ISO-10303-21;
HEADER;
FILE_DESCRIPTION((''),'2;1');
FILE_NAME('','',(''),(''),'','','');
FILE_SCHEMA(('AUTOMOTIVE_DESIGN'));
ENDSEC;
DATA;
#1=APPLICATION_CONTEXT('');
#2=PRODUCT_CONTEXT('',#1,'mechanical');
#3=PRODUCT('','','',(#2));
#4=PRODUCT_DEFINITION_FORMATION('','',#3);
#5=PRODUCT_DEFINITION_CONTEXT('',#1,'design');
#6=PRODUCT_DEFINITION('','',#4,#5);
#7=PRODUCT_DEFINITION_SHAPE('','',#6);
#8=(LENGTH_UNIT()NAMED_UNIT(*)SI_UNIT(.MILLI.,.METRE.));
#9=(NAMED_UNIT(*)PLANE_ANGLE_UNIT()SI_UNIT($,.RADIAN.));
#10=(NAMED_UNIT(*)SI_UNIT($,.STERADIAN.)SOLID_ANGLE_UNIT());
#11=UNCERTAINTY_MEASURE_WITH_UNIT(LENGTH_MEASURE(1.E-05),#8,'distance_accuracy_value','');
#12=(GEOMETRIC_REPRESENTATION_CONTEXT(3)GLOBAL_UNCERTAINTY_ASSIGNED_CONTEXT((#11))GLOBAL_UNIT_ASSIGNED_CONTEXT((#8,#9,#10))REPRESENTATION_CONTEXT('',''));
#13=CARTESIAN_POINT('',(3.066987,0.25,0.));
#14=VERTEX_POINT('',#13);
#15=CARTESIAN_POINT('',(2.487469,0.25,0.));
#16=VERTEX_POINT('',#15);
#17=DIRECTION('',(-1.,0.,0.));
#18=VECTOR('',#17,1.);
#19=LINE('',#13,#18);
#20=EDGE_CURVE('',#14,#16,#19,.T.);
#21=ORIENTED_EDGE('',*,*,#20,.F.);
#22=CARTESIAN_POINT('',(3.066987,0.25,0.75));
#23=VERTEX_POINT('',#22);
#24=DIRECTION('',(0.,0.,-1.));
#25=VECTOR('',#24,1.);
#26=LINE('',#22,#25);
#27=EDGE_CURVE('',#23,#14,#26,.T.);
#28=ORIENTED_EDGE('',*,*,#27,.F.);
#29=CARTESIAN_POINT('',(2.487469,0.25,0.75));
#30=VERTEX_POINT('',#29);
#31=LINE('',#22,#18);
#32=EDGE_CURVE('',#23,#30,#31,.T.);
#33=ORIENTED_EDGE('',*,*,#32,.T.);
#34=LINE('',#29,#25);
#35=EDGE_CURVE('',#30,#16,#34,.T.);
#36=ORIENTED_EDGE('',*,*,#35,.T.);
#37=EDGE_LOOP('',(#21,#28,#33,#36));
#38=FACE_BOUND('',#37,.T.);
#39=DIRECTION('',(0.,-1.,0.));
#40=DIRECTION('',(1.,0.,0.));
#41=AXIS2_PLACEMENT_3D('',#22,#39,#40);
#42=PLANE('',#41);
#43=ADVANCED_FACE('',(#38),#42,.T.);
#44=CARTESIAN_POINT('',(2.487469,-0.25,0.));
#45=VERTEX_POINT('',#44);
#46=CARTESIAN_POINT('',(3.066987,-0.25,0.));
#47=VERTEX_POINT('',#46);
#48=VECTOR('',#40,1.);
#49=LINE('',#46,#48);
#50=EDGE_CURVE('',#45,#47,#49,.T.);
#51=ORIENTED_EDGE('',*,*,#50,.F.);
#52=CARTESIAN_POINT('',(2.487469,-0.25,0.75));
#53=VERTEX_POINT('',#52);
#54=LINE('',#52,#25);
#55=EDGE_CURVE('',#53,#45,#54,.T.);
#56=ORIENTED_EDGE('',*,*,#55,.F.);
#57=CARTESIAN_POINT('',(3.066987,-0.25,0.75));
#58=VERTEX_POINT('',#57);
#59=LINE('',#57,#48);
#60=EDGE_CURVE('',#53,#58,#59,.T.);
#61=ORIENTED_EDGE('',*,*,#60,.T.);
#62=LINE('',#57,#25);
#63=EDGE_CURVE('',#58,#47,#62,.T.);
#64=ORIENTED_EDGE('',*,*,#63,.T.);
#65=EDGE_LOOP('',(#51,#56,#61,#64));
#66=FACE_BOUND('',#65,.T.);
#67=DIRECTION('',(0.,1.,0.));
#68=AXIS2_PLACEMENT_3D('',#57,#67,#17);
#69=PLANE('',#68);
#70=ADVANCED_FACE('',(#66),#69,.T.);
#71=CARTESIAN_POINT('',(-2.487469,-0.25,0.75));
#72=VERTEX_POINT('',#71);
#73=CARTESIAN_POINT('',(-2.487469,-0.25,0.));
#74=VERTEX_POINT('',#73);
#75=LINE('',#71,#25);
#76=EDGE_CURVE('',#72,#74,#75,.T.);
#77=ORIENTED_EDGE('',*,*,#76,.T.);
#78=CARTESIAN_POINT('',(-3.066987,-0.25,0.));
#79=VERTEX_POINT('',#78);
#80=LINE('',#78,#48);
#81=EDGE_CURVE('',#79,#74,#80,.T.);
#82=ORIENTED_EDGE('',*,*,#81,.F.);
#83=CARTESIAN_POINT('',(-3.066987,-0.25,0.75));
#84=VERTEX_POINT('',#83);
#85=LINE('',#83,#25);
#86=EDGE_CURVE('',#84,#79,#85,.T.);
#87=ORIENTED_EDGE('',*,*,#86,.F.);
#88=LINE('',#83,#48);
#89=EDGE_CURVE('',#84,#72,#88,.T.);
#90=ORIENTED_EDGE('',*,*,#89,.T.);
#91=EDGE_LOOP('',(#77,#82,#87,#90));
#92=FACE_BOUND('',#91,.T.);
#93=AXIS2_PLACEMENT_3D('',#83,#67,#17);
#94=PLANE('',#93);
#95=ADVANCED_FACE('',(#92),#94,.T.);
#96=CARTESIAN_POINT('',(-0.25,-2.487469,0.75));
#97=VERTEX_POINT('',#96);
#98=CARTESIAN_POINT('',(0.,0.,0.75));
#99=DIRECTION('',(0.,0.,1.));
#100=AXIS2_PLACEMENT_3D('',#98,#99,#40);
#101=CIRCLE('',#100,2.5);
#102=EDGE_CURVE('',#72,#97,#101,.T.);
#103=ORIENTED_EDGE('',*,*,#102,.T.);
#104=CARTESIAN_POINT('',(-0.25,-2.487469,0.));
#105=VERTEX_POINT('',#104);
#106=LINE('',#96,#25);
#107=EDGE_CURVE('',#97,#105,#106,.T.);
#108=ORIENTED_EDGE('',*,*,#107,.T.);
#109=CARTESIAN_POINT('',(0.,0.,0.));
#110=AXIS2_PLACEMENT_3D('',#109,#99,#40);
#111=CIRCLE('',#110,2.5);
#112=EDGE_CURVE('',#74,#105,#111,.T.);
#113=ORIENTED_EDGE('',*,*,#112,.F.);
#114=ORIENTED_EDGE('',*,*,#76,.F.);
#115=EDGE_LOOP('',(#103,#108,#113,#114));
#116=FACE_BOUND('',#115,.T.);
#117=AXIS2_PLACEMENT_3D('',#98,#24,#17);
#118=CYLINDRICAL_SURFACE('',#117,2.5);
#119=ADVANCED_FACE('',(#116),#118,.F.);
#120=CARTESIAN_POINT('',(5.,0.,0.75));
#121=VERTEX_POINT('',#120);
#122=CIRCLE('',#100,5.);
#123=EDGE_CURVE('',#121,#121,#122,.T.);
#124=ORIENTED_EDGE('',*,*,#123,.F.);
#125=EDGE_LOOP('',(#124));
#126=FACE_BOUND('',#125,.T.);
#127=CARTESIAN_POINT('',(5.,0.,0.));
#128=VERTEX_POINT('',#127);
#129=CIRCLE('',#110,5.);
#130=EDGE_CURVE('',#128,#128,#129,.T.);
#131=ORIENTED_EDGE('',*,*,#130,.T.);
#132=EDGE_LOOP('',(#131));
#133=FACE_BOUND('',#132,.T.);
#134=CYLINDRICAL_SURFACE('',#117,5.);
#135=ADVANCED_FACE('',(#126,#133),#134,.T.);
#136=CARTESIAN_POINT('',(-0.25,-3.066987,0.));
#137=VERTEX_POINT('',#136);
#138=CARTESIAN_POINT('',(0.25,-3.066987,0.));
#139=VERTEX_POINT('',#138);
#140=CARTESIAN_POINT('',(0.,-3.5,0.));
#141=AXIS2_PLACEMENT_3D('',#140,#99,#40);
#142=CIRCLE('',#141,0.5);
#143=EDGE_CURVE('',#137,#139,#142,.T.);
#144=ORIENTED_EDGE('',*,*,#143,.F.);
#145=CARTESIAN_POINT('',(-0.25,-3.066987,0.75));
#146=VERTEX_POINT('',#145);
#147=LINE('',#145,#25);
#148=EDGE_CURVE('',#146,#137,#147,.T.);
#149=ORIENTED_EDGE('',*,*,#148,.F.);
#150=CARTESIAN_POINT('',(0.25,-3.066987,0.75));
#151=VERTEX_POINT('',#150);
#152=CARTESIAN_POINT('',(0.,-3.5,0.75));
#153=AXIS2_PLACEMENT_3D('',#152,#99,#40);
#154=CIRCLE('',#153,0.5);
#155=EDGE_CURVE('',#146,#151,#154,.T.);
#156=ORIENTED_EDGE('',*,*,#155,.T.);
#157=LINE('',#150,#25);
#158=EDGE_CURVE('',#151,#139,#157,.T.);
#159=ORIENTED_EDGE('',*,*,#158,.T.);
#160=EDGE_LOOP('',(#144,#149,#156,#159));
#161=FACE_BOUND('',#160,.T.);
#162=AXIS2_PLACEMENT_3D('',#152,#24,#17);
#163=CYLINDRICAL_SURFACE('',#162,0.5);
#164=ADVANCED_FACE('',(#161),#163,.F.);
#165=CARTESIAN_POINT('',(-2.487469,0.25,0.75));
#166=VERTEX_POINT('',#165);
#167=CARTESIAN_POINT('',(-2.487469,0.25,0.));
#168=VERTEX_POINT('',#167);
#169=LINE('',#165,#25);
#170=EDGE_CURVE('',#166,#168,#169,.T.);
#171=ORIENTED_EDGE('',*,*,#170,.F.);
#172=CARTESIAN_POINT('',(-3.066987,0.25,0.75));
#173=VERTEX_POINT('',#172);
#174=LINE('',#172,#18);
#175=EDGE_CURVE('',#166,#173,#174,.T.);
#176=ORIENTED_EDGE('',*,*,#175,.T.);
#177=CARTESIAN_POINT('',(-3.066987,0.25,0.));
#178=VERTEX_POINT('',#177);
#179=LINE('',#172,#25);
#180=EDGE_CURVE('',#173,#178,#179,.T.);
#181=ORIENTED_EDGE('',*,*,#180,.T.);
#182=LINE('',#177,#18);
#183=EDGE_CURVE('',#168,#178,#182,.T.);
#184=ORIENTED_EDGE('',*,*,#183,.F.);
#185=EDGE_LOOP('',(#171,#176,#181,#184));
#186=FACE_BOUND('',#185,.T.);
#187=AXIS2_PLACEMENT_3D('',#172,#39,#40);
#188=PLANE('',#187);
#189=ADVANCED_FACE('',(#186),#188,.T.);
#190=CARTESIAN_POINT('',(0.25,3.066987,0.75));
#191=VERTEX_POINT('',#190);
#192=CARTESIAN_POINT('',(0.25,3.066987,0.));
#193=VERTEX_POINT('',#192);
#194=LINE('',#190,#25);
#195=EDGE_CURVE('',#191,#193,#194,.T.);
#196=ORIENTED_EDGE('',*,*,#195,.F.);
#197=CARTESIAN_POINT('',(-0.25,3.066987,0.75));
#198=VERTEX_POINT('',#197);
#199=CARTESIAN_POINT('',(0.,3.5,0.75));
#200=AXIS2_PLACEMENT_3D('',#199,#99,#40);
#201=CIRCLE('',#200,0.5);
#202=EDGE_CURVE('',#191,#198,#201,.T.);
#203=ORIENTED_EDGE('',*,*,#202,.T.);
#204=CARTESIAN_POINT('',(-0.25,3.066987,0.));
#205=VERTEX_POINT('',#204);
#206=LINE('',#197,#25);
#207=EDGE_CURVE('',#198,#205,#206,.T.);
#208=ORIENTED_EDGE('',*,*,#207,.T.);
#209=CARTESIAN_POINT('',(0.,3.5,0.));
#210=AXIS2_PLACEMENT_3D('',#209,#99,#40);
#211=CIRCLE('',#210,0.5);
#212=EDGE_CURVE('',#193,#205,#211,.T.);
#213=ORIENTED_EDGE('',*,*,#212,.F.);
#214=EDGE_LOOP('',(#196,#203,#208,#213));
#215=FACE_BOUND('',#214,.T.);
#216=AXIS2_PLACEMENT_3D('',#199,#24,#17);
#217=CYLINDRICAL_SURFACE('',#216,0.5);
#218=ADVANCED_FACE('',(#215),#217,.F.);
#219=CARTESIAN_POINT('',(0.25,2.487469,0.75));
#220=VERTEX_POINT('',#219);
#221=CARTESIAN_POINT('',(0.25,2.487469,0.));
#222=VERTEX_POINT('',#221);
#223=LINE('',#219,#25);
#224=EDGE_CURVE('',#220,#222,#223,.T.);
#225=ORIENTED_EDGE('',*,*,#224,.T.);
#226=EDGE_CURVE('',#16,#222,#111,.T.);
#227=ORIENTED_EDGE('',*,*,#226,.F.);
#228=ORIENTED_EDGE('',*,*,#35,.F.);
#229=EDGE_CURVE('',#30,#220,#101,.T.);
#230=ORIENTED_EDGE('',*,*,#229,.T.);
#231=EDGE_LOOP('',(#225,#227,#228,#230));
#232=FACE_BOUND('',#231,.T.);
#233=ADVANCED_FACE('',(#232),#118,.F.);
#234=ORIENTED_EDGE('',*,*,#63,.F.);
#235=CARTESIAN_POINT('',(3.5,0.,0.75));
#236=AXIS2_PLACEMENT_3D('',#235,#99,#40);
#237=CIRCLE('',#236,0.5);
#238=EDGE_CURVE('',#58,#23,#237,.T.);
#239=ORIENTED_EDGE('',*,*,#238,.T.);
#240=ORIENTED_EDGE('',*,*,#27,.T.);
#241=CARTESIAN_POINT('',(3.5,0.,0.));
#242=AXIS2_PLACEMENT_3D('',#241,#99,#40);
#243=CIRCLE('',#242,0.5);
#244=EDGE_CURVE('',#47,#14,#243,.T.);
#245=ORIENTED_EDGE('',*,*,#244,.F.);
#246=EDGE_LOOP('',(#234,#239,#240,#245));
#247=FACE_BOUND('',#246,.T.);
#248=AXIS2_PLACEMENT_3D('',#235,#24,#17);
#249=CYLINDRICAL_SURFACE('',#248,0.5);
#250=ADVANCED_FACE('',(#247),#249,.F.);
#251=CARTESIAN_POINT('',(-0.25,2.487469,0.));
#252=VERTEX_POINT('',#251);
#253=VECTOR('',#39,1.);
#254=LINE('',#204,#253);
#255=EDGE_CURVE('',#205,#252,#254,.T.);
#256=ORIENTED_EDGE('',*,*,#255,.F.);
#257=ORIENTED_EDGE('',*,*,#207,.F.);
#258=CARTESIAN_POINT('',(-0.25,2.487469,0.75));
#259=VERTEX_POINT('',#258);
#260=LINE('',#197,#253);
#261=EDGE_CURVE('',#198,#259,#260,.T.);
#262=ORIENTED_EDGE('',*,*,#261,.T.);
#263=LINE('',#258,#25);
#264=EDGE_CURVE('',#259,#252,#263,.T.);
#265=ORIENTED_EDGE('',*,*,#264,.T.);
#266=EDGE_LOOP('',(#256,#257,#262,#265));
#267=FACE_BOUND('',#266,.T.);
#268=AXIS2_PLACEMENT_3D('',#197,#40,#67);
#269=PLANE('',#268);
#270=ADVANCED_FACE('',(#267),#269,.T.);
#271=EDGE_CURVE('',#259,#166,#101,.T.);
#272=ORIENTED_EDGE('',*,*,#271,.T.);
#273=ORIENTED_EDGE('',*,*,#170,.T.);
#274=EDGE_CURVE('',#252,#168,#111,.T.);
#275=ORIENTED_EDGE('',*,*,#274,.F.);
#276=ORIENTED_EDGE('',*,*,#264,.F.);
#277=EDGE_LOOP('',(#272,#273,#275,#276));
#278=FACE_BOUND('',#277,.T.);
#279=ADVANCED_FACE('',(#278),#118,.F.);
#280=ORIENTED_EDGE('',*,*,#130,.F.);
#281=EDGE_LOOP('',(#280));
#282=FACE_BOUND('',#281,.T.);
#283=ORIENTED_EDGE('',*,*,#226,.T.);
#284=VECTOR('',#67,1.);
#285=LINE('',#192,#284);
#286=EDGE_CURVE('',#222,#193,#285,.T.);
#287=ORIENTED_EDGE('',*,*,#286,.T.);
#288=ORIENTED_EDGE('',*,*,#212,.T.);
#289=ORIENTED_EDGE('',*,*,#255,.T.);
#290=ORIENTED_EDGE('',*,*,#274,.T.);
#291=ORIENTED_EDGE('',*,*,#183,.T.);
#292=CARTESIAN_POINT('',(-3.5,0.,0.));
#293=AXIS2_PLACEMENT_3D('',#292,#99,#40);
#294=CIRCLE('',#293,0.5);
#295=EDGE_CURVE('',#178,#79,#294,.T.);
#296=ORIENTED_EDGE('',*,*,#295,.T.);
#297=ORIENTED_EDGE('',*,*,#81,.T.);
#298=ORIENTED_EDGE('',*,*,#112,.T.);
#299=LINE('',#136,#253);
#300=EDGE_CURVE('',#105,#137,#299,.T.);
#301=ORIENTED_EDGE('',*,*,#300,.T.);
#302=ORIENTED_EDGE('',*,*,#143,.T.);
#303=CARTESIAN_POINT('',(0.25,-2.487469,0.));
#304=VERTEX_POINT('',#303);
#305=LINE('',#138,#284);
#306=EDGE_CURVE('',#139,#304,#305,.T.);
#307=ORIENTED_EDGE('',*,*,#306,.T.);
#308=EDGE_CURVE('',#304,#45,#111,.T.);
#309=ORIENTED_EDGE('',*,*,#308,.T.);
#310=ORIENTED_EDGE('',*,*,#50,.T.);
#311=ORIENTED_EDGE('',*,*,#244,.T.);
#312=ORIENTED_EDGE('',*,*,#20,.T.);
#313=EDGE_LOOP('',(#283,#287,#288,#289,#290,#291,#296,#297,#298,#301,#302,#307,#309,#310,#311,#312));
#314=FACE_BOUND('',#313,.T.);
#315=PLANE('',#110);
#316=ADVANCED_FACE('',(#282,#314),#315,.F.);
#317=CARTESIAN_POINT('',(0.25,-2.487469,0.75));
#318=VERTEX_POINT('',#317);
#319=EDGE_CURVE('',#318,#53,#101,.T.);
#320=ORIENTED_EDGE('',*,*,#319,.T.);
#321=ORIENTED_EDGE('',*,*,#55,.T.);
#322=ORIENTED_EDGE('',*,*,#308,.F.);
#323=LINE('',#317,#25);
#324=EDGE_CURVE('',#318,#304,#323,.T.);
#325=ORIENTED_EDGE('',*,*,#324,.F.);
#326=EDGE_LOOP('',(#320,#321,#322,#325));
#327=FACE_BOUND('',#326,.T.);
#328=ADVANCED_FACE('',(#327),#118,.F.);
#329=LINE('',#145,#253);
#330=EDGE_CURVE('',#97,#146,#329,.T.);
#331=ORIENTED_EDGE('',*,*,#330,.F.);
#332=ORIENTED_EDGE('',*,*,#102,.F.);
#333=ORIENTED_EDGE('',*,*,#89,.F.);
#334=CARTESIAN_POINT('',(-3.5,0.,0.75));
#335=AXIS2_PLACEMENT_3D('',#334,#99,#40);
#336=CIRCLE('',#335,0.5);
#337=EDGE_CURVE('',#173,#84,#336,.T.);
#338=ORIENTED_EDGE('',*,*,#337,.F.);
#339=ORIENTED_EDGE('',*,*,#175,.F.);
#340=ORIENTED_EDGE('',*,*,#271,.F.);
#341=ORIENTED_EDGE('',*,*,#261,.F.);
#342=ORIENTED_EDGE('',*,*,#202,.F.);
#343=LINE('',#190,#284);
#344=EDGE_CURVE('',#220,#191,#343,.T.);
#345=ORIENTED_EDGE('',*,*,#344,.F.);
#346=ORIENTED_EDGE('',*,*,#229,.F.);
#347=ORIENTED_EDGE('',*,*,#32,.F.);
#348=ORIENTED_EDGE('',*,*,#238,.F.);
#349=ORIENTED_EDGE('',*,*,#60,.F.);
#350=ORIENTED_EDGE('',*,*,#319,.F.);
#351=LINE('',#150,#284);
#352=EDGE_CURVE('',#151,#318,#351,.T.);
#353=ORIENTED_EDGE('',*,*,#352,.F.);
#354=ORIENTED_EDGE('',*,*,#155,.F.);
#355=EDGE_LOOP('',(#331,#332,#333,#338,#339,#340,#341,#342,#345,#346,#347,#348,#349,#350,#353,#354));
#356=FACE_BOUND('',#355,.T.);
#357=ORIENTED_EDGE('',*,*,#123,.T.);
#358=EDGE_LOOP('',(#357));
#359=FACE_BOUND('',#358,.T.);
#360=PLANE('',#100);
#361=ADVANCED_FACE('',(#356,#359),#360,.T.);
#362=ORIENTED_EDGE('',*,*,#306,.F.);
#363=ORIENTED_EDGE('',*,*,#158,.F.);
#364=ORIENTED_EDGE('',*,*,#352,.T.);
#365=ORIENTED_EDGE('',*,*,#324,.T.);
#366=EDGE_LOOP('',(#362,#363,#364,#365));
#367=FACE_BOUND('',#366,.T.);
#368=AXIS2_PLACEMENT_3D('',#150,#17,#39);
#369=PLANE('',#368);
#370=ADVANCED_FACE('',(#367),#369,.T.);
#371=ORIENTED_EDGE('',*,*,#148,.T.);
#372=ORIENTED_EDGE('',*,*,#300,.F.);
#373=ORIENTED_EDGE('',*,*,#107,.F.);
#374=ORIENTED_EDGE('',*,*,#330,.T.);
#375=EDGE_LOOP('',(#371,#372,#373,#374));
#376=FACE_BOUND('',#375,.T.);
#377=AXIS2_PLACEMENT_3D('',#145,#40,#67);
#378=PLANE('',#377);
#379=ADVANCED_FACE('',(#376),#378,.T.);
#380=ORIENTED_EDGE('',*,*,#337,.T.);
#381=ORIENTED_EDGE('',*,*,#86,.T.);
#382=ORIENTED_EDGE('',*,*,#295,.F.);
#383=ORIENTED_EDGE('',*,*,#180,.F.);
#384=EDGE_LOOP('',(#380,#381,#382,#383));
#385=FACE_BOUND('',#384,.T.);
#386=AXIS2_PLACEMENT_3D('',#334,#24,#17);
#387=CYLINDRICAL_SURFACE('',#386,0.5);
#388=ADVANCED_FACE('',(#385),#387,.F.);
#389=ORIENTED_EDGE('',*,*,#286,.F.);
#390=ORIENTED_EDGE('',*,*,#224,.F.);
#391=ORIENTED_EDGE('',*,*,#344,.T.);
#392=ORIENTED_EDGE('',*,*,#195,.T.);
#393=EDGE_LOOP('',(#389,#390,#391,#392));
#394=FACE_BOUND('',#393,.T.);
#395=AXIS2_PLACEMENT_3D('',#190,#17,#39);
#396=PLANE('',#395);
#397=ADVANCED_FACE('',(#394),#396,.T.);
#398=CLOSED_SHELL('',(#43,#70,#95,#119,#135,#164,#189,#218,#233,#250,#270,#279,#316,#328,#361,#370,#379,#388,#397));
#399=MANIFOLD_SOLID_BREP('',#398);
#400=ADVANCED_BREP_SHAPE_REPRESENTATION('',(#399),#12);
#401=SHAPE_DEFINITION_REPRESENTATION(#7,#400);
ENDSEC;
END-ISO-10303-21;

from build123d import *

# Parameters (mm, degrees)
ESQUISSE1_R        = 5
BOSS_EXTRU_1_DEPTH = 0.75


with BuildPart() as part:
    # Esquisse1 → Boss.-Extru.1 (new body)
    with BuildSketch(Plane.XY):
        Circle(ESQUISSE1_R)
        with BuildLine():
            Line((3.066987298, 0.25), (2.487468593, 0.25))
            ThreePointArc((2.487468593, 0.25), (1.767766953, 1.767766953), (0.25, 2.487468593))
            Line((0.25, 2.487468593), (0.25, 3.066987298))
            ThreePointArc((0.25, 3.066987298), (0, 4), (-0.25, 3.066987298))
            Line((-0.25, 3.066987298), (-0.25, 2.487468593))
            ThreePointArc((-0.25, 2.487468593), (-1.767766953, 1.767766953), (-2.487468593, 0.25))
            Line((-2.487468593, 0.25), (-3.066987298, 0.25))
            ThreePointArc((-3.066987298, 0.25), (-4, 0), (-3.066987298, -0.25))
            Line((-3.066987298, -0.25), (-2.487468593, -0.25))
            ThreePointArc((-2.487468593, -0.25), (-1.767766953, -1.767766953), (-0.25, -2.487468593))
            Line((-0.25, -2.487468593), (-0.25, -3.066987298))
            ThreePointArc((-0.25, -3.066987298), (0, -4), (0.25, -3.066987298))
            Line((0.25, -3.066987298), (0.25, -2.487468593))
            ThreePointArc((0.25, -2.487468593), (1.767766953, -1.767766953), (2.487468593, -0.25))
            Line((2.487468593, -0.25), (3.066987298, -0.25))
            ThreePointArc((3.066987298, -0.25), (4, 0), (3.066987298, 0.25))
        make_face(mode=Mode.SUBTRACT)
    extrude(amount=BOSS_EXTRU_1_DEPTH)


solid = part.part
